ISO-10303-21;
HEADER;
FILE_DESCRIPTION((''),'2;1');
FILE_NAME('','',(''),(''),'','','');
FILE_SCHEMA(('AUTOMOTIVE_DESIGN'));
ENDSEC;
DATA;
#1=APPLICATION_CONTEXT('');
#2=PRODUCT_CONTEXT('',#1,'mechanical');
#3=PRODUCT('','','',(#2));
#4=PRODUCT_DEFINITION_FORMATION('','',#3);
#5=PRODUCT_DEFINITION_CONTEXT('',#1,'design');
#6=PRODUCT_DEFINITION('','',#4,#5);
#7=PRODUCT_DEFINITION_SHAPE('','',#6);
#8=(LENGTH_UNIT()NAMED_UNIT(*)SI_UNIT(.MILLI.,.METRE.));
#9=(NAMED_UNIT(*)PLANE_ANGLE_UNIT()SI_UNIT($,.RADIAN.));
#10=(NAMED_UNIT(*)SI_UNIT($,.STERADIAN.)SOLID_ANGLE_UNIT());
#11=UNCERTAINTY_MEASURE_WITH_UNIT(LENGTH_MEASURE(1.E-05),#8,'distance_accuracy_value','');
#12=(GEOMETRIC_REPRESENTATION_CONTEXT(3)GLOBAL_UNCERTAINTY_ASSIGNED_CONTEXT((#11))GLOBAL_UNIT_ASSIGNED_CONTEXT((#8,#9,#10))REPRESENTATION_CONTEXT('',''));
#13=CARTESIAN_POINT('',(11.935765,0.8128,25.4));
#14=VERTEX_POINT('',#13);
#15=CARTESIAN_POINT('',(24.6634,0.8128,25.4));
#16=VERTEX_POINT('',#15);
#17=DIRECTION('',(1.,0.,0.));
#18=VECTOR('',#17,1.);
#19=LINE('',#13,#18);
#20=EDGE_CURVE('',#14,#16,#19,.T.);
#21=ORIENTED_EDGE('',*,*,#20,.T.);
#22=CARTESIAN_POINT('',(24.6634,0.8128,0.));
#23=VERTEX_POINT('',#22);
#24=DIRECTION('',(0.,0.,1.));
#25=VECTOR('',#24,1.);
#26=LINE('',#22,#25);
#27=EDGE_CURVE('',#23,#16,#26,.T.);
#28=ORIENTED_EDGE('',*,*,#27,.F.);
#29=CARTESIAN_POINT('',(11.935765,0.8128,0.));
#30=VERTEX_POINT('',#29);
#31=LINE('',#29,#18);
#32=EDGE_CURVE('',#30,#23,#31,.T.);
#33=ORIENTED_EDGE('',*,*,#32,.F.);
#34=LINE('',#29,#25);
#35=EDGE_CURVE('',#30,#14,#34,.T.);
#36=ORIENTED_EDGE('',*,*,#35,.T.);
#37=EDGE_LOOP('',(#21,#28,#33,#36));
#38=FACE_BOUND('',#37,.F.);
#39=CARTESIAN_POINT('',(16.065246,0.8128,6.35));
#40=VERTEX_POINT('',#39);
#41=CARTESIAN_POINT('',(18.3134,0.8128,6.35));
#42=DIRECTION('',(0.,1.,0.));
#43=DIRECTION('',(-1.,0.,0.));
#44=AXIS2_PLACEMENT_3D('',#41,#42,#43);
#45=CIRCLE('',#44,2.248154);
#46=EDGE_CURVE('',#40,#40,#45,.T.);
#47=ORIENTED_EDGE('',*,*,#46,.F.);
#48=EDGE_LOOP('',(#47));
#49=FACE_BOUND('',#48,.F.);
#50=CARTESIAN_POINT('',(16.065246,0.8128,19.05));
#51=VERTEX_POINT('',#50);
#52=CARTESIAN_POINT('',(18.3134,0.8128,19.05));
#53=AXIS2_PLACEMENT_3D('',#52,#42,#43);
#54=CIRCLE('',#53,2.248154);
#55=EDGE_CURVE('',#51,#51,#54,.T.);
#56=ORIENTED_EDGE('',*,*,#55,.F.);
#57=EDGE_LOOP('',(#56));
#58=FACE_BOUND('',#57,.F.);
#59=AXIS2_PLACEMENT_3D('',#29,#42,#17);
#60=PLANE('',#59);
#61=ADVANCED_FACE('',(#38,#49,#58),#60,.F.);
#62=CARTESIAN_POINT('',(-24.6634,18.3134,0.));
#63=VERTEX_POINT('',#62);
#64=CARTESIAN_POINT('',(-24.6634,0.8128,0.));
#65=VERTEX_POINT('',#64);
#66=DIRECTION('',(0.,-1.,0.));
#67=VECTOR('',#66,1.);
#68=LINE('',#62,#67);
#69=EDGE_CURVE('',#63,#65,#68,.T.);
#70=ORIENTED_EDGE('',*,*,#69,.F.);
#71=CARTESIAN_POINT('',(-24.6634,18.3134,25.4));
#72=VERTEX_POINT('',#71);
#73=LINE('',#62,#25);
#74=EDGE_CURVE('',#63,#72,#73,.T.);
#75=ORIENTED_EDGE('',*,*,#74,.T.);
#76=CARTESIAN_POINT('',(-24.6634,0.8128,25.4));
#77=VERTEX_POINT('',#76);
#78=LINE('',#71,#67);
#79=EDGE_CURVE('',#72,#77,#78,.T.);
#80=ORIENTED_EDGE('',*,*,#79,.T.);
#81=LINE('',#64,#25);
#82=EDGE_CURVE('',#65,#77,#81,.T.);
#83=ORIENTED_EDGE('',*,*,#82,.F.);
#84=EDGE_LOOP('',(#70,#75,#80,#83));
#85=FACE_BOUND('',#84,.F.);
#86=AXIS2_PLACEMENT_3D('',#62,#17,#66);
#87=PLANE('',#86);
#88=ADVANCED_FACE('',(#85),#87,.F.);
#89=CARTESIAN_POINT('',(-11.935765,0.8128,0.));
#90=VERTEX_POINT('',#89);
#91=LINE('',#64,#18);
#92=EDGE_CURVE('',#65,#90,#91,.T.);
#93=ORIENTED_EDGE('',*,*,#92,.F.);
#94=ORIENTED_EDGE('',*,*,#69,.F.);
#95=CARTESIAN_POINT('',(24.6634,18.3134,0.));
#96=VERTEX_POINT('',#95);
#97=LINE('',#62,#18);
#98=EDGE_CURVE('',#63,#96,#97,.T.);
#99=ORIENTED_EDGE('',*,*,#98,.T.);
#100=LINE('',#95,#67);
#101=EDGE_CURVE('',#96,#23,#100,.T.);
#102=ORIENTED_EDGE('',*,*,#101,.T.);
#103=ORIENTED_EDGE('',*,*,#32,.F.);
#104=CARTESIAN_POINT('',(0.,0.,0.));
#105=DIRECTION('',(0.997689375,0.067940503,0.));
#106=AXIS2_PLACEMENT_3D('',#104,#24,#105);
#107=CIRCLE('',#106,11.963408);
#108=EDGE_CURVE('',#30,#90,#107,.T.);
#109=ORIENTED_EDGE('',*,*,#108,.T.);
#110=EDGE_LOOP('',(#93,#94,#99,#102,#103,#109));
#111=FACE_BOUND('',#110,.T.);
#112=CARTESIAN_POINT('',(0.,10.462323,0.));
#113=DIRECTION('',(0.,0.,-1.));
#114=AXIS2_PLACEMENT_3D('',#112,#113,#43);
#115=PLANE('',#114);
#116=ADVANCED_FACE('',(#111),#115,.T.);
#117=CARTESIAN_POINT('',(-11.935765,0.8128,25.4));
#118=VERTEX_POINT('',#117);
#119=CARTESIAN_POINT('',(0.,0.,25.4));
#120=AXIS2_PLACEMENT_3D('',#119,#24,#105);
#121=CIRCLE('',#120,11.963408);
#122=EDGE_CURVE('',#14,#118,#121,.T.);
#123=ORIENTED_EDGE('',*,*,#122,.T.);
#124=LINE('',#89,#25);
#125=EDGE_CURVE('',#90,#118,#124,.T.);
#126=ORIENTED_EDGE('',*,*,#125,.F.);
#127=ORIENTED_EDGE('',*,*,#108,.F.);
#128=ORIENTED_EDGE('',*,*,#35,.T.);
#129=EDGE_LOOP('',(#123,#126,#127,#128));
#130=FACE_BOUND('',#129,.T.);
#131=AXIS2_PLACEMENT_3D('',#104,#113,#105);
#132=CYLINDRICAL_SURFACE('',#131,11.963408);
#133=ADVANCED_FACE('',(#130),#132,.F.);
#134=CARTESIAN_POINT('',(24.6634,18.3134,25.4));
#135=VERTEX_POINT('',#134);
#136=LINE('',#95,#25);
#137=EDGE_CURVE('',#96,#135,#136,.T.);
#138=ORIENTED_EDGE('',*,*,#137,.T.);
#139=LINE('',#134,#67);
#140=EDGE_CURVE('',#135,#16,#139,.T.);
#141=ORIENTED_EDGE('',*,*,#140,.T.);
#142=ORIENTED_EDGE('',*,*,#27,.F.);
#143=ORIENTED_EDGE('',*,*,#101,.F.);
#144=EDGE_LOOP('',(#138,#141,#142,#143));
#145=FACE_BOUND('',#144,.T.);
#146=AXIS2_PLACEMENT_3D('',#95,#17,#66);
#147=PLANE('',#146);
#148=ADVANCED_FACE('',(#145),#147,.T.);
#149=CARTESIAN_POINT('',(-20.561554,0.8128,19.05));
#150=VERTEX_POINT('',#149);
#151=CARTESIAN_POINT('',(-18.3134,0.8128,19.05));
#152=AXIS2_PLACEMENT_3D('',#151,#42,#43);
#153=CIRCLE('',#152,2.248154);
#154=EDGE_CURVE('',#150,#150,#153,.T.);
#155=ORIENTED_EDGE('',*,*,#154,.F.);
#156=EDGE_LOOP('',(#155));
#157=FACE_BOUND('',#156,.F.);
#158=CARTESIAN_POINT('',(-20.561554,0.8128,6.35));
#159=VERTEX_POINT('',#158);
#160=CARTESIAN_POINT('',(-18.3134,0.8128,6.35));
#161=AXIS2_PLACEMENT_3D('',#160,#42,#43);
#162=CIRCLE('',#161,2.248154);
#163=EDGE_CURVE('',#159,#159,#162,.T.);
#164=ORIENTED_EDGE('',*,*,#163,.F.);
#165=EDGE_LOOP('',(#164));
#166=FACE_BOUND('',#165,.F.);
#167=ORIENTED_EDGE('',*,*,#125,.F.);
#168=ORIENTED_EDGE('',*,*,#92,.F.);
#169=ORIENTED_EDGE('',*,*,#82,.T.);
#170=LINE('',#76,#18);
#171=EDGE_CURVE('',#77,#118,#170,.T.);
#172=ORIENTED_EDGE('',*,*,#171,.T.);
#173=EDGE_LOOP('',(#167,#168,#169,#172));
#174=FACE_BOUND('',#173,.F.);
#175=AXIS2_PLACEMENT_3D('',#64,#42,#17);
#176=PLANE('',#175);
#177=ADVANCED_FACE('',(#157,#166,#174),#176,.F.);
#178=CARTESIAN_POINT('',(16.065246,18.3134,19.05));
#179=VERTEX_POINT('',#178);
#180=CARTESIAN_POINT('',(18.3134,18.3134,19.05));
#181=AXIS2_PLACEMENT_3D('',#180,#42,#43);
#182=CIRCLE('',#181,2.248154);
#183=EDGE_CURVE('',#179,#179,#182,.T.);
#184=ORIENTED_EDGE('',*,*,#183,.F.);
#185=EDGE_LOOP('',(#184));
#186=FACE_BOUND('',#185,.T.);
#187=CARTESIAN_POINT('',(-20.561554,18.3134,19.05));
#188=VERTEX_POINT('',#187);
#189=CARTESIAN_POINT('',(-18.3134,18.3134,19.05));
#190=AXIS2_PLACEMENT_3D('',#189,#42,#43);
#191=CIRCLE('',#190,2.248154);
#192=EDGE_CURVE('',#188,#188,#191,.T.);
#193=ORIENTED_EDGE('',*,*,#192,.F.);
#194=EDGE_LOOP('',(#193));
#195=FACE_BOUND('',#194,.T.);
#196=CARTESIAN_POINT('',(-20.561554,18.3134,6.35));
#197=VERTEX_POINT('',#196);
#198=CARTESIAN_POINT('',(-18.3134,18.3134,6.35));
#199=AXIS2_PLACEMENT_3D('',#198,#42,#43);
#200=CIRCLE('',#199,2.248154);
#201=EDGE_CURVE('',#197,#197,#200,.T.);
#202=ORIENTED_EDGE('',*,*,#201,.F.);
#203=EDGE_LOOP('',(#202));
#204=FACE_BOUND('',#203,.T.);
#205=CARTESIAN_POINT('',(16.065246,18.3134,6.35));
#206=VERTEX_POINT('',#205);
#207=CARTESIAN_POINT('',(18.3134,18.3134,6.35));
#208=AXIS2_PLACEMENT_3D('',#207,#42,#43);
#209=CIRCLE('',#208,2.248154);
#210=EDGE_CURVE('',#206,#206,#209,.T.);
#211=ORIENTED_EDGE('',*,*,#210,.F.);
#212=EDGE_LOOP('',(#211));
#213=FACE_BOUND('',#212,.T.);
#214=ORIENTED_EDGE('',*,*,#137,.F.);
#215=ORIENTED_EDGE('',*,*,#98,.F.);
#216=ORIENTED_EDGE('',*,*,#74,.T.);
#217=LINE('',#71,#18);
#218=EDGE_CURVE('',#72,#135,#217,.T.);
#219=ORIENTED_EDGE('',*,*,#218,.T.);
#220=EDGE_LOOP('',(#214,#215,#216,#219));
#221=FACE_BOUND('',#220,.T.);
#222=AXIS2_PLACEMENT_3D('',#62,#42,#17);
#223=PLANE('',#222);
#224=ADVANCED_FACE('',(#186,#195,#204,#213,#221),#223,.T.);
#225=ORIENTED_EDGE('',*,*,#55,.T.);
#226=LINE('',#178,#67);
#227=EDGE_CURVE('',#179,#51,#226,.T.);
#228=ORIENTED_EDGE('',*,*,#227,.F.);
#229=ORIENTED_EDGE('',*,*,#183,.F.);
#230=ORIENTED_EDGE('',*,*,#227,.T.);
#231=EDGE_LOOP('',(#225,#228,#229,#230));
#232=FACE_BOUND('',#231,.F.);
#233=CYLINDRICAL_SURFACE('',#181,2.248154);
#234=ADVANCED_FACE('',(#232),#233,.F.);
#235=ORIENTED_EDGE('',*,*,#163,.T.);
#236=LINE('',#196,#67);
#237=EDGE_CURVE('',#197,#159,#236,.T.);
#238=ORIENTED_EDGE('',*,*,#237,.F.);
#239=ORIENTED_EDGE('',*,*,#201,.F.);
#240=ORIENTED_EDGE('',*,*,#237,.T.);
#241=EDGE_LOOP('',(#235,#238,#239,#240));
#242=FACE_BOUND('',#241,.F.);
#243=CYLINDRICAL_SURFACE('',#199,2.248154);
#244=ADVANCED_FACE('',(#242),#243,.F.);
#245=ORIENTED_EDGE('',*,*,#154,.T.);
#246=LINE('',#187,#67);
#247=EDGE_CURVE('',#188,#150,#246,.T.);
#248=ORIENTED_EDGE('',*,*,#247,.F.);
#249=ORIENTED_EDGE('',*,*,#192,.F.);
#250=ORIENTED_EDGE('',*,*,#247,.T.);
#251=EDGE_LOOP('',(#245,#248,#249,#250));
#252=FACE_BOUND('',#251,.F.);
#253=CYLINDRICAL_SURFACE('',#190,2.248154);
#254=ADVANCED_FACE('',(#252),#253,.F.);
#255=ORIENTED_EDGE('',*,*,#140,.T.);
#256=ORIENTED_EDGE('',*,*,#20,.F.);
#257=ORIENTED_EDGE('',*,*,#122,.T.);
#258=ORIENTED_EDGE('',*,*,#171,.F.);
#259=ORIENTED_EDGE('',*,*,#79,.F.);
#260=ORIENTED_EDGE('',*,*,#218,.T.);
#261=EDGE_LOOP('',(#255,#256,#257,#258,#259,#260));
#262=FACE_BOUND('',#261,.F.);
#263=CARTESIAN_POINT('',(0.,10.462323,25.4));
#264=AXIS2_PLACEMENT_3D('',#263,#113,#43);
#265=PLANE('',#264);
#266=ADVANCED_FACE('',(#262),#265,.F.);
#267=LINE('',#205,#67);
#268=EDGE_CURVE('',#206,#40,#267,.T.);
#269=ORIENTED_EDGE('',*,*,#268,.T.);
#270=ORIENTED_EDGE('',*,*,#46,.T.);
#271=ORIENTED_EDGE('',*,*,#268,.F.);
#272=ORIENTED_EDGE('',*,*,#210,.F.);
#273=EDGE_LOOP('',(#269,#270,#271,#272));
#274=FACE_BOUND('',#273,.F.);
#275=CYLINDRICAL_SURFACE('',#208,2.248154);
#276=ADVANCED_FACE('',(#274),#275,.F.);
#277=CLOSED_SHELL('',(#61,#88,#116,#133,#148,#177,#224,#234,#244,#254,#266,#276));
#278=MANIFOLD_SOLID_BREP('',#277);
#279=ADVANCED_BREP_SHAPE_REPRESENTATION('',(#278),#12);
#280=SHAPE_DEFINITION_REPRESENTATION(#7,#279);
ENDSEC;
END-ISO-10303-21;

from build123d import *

# Parameters (mm, degrees)
PAD_DEPTH    = 25.4
SKETCH001_R  = 2.248154
POCKET_DEPTH = 17.5016


with BuildPart() as part:
    # Sketch → Pad (new body)
    with BuildSketch(Plane.XY):
        with BuildLine():
            ThreePointArc((11.935765, 0.8128), (0, 11.963408), (-11.935765, 0.8128))
            Line((-24.6634, 0.8128), (-11.935765, 0.8128))
            Line((-24.6634, 18.3134), (-24.6634, 0.8128))
            Line((-24.6634, 18.3134), (24.6634, 18.3134))
            Line((24.6634, 18.3134), (24.6634, 0.8128))
            Line((11.935765, 0.8128), (24.6634, 0.8128))
        make_face()
    extrude(amount=PAD_DEPTH)

    # Sketch001 → Pocket (cut, through all)
    with BuildSketch(Plane(origin=(0, 18.3134, 0), x_dir=(-1, 0, 0), z_dir=(0, 1, 0))):
        with Locations((18.3134, 6.35)):
            Circle(SKETCH001_R)
        with Locations((18.3134, 19.05)):
            Circle(SKETCH001_R)
        with Locations((-18.3134, 19.05)):
            Circle(SKETCH001_R)
        with Locations((-18.3134, 6.35)):
            Circle(SKETCH001_R)
    extrude(amount=-POCKET_DEPTH, mode=Mode.SUBTRACT)


solid = part.part
